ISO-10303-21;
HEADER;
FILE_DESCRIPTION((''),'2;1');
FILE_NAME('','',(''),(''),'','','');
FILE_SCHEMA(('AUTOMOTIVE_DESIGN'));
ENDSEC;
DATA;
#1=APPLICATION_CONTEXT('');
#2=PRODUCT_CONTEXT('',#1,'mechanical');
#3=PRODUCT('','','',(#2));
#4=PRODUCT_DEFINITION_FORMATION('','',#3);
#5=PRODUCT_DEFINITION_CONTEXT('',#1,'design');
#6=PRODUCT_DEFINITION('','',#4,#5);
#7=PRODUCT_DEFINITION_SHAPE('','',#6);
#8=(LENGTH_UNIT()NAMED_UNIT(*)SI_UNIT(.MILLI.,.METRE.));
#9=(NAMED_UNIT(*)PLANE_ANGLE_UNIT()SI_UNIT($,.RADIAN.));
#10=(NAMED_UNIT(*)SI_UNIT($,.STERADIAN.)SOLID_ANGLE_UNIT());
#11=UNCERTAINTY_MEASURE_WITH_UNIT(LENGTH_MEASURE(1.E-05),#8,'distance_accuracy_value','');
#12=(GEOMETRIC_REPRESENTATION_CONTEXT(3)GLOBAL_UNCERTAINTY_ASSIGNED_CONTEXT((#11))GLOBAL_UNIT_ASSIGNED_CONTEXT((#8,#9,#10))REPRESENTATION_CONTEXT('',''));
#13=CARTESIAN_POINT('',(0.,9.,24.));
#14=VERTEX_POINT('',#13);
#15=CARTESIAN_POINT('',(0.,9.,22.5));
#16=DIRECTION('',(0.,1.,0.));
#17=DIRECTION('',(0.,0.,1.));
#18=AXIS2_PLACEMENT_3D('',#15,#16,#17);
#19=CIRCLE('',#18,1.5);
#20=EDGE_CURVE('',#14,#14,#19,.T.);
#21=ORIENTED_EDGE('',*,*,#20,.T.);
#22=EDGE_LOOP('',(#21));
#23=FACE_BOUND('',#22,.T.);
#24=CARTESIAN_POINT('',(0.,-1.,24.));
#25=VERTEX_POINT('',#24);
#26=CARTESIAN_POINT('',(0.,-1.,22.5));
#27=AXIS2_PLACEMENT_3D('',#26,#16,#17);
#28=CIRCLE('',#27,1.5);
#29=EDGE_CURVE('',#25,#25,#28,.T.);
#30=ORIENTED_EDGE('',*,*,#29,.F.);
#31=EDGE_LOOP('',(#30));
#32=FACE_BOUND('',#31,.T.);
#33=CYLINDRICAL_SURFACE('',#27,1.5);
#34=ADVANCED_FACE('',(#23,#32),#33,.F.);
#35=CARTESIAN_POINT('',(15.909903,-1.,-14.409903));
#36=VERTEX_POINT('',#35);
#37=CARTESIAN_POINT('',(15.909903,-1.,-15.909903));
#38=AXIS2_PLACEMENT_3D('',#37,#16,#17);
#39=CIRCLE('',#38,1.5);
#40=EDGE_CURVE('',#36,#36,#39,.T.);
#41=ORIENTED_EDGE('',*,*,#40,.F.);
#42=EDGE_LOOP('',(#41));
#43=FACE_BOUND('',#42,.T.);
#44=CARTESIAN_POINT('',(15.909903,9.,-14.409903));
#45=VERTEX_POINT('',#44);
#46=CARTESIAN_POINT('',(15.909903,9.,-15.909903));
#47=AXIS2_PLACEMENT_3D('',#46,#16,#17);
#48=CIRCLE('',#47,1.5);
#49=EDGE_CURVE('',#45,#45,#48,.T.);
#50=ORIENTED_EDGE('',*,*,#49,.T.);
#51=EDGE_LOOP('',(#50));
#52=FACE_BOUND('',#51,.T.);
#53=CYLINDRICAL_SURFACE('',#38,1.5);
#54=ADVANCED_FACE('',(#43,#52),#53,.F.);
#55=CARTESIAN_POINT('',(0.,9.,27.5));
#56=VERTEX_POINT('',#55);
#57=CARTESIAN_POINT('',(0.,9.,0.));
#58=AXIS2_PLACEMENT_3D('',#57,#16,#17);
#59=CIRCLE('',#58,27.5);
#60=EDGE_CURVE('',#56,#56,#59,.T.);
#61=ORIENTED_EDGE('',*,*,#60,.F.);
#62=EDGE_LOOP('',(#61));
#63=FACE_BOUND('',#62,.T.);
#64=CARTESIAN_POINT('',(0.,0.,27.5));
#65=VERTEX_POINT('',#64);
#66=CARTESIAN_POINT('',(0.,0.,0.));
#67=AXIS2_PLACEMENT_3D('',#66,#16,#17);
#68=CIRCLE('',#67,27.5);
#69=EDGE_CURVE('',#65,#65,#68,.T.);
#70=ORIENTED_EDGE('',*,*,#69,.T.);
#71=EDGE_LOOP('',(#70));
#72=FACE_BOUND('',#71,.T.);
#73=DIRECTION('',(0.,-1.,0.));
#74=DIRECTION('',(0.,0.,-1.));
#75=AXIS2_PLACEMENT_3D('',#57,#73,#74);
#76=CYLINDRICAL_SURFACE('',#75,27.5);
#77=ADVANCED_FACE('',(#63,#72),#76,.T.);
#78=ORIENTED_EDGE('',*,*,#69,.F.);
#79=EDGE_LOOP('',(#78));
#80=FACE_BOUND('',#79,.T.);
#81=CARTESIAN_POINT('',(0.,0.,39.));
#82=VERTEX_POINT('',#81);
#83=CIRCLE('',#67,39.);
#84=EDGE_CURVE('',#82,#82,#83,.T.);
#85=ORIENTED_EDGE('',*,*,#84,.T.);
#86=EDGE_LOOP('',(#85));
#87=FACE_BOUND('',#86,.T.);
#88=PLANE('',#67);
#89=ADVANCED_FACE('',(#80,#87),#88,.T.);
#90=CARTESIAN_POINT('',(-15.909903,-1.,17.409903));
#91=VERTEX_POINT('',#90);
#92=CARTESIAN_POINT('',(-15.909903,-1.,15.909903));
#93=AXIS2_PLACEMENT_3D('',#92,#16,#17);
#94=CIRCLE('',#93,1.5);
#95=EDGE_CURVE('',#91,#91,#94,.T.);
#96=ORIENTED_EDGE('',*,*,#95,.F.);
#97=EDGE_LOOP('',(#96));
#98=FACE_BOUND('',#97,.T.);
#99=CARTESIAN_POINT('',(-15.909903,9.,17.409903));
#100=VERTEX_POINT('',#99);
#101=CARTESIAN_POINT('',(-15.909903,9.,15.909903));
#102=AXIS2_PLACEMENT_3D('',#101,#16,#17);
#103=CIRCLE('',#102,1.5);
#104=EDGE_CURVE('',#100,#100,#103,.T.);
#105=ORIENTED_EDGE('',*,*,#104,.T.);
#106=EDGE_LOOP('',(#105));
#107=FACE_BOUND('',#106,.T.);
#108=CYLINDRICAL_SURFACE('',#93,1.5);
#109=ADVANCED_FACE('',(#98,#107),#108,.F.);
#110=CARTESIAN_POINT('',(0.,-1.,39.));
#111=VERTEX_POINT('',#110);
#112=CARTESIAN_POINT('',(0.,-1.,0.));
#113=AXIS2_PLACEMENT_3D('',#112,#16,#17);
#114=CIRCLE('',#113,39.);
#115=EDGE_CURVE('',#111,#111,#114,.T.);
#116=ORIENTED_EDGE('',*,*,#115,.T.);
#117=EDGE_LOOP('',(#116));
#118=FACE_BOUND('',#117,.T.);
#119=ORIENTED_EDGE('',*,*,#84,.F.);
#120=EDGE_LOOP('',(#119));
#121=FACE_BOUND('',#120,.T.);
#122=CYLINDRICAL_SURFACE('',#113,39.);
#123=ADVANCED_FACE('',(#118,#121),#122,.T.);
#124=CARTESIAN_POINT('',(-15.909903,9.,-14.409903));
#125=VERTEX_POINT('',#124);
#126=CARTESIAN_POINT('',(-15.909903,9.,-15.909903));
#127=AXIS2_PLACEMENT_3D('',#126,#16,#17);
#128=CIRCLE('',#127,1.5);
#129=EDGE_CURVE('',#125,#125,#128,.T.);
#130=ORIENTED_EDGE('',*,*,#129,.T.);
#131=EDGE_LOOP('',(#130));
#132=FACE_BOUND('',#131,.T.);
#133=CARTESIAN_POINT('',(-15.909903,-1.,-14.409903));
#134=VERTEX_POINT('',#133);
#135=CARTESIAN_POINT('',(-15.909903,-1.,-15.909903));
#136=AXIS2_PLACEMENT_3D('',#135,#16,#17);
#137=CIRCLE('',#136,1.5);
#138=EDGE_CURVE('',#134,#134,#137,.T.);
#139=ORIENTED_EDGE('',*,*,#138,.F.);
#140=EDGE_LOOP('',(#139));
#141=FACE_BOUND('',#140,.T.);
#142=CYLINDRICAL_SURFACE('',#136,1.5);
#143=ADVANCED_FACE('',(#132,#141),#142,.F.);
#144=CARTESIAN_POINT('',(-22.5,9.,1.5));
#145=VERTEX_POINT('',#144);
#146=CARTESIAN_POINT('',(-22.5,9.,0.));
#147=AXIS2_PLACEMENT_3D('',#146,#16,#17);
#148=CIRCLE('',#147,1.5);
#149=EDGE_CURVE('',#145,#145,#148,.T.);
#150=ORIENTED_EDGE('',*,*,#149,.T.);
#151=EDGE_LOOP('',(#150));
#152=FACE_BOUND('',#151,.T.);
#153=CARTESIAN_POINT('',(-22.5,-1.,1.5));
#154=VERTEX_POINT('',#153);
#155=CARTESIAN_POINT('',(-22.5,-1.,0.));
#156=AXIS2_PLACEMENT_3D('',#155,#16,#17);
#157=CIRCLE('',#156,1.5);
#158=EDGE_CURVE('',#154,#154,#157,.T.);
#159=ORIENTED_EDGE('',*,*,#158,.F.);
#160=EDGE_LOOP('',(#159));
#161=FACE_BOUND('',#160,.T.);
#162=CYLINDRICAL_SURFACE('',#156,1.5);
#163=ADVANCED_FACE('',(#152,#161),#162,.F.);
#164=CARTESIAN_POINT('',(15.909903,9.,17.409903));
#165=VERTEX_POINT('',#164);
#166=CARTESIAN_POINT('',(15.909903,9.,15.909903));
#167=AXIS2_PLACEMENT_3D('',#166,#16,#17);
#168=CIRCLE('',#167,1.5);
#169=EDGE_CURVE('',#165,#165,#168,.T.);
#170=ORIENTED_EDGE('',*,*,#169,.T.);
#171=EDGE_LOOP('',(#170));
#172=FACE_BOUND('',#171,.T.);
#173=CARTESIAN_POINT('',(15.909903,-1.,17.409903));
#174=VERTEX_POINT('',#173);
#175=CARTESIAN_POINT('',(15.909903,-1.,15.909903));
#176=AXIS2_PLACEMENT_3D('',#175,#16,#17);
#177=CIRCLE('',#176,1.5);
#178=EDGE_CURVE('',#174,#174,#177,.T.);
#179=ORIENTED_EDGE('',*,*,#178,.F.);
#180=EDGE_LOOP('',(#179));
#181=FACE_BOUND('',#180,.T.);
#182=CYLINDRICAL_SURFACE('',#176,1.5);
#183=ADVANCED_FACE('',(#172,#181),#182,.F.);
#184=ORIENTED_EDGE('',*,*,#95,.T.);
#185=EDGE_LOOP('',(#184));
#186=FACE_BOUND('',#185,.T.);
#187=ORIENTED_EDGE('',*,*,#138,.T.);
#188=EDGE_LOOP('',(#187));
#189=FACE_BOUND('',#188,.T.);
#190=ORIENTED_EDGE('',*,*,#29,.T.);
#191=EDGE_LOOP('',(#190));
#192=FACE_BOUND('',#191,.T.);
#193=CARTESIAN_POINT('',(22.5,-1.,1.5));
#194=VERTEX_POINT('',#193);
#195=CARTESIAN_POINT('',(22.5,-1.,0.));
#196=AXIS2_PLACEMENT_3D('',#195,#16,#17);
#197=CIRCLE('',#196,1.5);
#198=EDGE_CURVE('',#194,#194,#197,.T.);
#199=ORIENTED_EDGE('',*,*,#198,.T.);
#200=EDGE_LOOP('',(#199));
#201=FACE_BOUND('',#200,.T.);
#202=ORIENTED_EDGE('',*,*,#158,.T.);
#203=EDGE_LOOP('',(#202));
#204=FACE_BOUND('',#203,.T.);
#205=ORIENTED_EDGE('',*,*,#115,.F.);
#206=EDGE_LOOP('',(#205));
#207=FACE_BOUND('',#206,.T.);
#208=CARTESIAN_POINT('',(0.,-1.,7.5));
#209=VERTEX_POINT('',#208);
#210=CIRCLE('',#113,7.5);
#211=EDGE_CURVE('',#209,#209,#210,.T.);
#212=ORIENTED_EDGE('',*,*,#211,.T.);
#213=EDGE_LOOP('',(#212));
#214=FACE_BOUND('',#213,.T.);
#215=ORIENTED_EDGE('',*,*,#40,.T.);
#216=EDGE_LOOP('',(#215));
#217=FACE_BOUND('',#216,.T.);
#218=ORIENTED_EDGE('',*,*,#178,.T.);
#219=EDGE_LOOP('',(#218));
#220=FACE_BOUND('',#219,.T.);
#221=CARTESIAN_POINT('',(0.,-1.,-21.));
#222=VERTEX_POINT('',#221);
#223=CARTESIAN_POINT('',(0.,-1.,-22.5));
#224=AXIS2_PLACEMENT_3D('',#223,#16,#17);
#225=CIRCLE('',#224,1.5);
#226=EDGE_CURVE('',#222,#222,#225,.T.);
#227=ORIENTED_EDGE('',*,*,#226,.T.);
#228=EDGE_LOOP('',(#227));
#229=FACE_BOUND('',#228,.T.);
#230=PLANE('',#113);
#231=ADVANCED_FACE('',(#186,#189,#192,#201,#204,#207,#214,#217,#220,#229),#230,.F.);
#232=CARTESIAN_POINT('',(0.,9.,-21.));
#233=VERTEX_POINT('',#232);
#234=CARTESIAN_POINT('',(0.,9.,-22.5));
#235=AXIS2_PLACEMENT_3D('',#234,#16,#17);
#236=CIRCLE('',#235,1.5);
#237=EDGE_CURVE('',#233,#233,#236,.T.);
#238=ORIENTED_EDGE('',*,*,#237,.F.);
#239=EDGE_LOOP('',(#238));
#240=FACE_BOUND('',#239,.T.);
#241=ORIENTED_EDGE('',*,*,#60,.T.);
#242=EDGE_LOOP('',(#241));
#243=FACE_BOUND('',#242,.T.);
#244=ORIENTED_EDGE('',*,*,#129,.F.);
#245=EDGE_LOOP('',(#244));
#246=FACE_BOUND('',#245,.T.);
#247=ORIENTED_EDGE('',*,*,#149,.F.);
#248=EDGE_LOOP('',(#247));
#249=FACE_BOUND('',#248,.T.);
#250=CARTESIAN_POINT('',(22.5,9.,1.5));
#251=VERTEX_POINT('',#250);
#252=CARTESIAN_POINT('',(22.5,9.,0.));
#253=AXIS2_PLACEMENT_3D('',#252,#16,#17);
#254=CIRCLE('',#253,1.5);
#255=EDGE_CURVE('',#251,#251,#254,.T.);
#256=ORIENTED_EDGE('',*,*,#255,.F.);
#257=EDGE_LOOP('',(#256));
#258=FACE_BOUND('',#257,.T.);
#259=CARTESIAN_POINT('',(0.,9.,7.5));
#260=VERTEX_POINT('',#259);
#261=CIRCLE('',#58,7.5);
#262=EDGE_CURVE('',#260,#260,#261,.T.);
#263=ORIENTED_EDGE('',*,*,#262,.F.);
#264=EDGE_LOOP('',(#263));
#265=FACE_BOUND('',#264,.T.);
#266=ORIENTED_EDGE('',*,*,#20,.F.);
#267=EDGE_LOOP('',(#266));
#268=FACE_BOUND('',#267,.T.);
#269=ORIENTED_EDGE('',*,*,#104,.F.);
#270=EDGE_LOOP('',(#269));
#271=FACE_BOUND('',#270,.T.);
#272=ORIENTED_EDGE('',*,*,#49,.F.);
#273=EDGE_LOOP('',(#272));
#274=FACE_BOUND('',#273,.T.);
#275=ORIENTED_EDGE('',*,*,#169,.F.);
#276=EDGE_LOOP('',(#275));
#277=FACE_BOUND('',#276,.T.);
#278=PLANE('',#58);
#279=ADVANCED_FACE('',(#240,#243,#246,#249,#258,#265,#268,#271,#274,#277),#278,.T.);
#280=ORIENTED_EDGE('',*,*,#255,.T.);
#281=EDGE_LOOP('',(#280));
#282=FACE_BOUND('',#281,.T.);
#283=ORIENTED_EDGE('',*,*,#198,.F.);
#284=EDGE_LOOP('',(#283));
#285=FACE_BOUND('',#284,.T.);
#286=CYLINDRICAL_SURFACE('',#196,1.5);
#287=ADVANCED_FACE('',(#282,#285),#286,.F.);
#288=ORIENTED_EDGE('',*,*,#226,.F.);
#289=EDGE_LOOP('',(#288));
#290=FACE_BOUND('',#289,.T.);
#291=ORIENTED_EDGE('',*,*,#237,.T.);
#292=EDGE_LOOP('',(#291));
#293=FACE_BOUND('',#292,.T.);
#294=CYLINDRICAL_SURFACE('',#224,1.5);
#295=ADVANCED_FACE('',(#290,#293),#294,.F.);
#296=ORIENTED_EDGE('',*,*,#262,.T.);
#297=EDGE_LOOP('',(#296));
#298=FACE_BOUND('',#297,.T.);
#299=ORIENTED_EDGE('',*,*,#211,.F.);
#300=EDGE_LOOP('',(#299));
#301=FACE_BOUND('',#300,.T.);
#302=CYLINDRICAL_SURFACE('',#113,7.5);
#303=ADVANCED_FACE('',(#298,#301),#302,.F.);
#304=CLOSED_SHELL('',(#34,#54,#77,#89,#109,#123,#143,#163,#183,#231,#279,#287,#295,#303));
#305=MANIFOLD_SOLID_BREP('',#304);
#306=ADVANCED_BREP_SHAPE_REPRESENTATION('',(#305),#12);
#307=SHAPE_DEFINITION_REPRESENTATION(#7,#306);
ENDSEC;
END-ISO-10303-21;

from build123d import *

# Parameters (mm, degrees)
SKETCH1_R           = 39
SKETCH1_R_2         = 1.5
SKETCH1_R_3         = 7.5
BOSS_EXTRUDE1_DEPTH = 1
BOSS_EXTRUDE2_START = 9
SKETCH1_3_R         = 27.5
SKETCH1_3_R_2       = 1.5
SKETCH1_3_R_3       = 7.5
BOSS_EXTRUDE2_DEPTH = 9


with BuildPart() as part:
    # Sketch1 → Boss-Extrude1 (new body)
    with BuildSketch(Plane(origin=(0, 0, 0), x_dir=(1, 0, 0), z_dir=(0, 1, 0))):
        Circle(SKETCH1_R)
        with Locations((22.5, 0)):
            Circle(SKETCH1_R_2, mode=Mode.SUBTRACT)
        with Locations((-15.909902577, -15.909902577)):
            Circle(SKETCH1_R_2, mode=Mode.SUBTRACT)
        with Locations((0, -22.5)):
            Circle(SKETCH1_R_2, mode=Mode.SUBTRACT)
        with Locations((15.909902577, -15.909902577)):
            Circle(SKETCH1_R_2, mode=Mode.SUBTRACT)
        with Locations((-22.5, 0)):
            Circle(SKETCH1_R_2, mode=Mode.SUBTRACT)
        with Locations((-15.909902577, 15.909902577)):
            Circle(SKETCH1_R_2, mode=Mode.SUBTRACT)
        with Locations((0, 22.5)):
            Circle(SKETCH1_R_2, mode=Mode.SUBTRACT)
        Circle(SKETCH1_R_3, mode=Mode.SUBTRACT)
        with Locations((15.909902577, 15.909902577)):
            Circle(SKETCH1_R_2, mode=Mode.SUBTRACT)
    extrude(amount=-BOSS_EXTRUDE1_DEPTH)

    # Sketch1<3> → Boss-Extrude2 (add)
    with BuildSketch(Plane(origin=(0, 0, 0), x_dir=(1, 0, 0), z_dir=(0, 1, 0)).offset(BOSS_EXTRUDE2_START)):
        Circle(SKETCH1_3_R)
        with Locations((-15.909902577, -15.909902577)):
            Circle(SKETCH1_3_R_2, mode=Mode.SUBTRACT)
        with Locations((0, -22.5)):
            Circle(SKETCH1_3_R_2, mode=Mode.SUBTRACT)
        with Locations((15.909902577, -15.909902577)):
            Circle(SKETCH1_3_R_2, mode=Mode.SUBTRACT)
        with Locations((-22.5, 0)):
            Circle(SKETCH1_3_R_2, mode=Mode.SUBTRACT)
        with Locations((-15.909902577, 15.909902577)):
            Circle(SKETCH1_3_R_2, mode=Mode.SUBTRACT)
        with Locations((0, 22.5)):
            Circle(SKETCH1_3_R_2, mode=Mode.SUBTRACT)
        Circle(SKETCH1_3_R_3, mode=Mode.SUBTRACT)
        with Locations((15.909902577, 15.909902577)):
            Circle(SKETCH1_3_R_2, mode=Mode.SUBTRACT)
        with Locations((22.5, 0)):
            Circle(SKETCH1_3_R_2, mode=Mode.SUBTRACT)
    extrude(amount=-BOSS_EXTRUDE2_DEPTH)


solid = part.part
